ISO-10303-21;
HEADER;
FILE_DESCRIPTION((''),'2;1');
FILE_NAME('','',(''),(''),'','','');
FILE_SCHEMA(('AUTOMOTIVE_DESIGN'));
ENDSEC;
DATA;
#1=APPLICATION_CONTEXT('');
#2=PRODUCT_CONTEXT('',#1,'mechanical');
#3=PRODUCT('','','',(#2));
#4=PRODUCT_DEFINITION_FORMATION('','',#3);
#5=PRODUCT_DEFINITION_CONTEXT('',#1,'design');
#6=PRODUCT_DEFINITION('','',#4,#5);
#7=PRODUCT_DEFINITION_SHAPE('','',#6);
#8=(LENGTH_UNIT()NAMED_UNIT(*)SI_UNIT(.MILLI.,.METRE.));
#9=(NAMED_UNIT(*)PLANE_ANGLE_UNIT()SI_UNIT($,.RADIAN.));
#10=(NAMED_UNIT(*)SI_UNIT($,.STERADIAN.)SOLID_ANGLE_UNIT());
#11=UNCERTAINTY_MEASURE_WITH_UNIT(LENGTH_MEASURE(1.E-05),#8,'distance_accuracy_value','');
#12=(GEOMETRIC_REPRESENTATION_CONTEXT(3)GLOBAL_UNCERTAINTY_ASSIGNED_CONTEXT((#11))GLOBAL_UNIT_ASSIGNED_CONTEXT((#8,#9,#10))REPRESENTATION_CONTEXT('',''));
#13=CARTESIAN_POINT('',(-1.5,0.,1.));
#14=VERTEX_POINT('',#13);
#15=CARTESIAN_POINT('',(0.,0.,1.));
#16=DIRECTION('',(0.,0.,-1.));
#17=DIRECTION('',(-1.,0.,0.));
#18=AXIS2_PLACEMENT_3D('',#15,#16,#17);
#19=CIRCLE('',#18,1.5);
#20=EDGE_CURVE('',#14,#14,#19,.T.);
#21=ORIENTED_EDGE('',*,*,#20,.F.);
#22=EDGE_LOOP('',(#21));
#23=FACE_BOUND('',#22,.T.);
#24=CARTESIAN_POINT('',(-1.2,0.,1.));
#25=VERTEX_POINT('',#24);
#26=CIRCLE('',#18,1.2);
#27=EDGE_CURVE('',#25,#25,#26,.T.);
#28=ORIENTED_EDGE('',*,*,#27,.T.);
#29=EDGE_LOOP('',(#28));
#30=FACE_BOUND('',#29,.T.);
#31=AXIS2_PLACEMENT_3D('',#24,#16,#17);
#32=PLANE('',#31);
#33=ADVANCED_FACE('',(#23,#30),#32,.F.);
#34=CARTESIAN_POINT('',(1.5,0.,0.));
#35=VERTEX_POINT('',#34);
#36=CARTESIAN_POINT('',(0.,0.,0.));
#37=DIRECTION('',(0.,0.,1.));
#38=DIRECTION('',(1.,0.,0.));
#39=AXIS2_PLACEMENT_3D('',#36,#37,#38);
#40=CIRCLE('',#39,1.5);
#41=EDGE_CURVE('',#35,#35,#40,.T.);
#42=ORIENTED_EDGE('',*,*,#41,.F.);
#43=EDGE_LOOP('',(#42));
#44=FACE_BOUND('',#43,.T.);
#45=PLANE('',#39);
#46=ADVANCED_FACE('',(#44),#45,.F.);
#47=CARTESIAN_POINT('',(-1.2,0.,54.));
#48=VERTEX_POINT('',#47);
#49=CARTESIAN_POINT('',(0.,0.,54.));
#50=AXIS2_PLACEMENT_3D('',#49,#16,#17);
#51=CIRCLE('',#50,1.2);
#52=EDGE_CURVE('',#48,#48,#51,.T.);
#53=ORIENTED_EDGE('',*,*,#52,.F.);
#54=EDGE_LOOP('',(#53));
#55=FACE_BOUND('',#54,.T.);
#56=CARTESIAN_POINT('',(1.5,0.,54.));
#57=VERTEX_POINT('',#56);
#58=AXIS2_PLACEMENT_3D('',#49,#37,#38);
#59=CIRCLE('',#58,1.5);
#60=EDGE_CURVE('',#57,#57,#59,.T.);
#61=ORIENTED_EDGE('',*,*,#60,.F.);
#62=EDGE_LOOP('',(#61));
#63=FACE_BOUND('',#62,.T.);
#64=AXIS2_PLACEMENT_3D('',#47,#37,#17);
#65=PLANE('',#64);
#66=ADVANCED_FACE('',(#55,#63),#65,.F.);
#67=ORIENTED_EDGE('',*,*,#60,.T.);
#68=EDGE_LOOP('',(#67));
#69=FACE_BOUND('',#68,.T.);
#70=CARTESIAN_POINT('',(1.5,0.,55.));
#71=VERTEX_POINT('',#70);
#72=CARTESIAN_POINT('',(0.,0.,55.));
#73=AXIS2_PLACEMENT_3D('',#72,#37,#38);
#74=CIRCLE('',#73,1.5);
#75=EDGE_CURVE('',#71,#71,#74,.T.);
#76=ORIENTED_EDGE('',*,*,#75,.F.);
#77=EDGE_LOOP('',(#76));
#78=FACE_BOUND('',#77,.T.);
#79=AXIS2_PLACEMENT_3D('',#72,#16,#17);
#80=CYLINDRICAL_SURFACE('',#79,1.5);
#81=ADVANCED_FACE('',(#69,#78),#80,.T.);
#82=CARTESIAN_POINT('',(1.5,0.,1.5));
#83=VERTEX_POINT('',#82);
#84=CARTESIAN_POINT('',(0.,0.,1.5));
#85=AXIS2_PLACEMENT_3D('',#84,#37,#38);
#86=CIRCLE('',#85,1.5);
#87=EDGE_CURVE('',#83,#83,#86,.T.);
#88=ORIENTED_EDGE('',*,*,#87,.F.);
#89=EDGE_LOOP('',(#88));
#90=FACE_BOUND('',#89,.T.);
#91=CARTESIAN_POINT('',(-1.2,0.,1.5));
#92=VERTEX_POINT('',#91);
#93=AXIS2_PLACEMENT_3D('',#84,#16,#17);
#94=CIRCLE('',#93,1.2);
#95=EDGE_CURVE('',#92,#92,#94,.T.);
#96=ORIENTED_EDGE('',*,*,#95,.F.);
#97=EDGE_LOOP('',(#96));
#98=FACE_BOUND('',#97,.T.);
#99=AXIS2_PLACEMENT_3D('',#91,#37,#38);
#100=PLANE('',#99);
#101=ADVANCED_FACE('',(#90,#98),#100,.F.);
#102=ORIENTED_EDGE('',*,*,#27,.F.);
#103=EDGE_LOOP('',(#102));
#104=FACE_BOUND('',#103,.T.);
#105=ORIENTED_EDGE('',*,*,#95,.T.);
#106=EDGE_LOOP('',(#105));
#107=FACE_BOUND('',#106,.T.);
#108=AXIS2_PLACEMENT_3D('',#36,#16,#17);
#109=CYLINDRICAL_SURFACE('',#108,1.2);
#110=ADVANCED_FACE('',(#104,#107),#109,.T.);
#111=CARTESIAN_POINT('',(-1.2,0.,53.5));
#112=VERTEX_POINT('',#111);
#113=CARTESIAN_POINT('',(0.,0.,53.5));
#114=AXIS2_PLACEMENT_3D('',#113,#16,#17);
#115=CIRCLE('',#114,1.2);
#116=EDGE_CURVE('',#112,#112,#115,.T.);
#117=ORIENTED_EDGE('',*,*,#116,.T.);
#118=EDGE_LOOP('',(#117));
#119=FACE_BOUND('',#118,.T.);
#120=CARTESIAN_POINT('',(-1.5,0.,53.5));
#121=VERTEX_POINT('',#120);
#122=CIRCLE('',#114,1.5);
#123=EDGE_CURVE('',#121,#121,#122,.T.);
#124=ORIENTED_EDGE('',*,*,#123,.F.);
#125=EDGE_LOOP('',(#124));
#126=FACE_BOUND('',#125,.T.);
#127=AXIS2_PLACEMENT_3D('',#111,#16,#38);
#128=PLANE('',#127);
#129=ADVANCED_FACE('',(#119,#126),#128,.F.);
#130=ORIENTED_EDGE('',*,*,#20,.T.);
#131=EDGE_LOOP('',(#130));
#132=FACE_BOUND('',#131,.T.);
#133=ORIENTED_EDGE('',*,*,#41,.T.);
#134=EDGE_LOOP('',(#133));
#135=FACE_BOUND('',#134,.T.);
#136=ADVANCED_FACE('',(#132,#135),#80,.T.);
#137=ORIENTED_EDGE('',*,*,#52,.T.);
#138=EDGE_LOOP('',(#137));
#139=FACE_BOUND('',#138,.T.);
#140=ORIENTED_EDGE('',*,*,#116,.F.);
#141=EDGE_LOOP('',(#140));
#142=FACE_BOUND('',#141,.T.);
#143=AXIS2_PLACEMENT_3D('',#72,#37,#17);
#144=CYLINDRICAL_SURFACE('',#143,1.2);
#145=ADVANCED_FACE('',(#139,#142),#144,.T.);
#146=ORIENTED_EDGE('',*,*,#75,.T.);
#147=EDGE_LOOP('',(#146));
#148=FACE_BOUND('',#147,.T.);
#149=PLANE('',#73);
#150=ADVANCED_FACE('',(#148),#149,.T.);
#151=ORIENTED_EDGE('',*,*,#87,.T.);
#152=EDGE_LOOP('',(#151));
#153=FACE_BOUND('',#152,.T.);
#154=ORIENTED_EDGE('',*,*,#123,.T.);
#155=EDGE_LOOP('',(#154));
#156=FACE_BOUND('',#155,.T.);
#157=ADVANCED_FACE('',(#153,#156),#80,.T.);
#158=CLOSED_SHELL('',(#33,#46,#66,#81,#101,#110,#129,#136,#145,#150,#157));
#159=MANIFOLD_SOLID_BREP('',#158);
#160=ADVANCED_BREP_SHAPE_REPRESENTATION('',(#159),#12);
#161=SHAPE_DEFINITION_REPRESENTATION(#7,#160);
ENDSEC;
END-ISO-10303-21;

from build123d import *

# Parameters (mm, degrees)
SKETCH1_R           = 1.5
BOSS_EXTRUDE1_DEPTH = 55
SKETCH2_W           = 3.168024794
SKETCH2_H           = 0.5


with BuildPart() as part:
    # Sketch1 → Boss-Extrude1 (new body)
    with BuildSketch(Plane.XY):
        Circle(SKETCH1_R)
    extrude(amount=BOSS_EXTRUDE1_DEPTH)

    # Sketch2 → Cut-Revolve1 (revolve, cut)
    with BuildSketch(Plane(origin=(0, 0, 0), x_dir=(1, 0, 0), z_dir=(0, 1, 0))):
        with Locations((-2.784012397, -1.25)):
            Rectangle(SKETCH2_W, SKETCH2_H)
    cut_revolve1 = revolve(axis=Axis((0, 0, 0), (0, 0, 1)), mode=Mode.SUBTRACT)

    # Mirror1: Cut-Revolve1 across plane
    add(cut_revolve1.mirror(Plane.XY.offset(27.5)), mode=Mode.SUBTRACT)


solid = part.part
